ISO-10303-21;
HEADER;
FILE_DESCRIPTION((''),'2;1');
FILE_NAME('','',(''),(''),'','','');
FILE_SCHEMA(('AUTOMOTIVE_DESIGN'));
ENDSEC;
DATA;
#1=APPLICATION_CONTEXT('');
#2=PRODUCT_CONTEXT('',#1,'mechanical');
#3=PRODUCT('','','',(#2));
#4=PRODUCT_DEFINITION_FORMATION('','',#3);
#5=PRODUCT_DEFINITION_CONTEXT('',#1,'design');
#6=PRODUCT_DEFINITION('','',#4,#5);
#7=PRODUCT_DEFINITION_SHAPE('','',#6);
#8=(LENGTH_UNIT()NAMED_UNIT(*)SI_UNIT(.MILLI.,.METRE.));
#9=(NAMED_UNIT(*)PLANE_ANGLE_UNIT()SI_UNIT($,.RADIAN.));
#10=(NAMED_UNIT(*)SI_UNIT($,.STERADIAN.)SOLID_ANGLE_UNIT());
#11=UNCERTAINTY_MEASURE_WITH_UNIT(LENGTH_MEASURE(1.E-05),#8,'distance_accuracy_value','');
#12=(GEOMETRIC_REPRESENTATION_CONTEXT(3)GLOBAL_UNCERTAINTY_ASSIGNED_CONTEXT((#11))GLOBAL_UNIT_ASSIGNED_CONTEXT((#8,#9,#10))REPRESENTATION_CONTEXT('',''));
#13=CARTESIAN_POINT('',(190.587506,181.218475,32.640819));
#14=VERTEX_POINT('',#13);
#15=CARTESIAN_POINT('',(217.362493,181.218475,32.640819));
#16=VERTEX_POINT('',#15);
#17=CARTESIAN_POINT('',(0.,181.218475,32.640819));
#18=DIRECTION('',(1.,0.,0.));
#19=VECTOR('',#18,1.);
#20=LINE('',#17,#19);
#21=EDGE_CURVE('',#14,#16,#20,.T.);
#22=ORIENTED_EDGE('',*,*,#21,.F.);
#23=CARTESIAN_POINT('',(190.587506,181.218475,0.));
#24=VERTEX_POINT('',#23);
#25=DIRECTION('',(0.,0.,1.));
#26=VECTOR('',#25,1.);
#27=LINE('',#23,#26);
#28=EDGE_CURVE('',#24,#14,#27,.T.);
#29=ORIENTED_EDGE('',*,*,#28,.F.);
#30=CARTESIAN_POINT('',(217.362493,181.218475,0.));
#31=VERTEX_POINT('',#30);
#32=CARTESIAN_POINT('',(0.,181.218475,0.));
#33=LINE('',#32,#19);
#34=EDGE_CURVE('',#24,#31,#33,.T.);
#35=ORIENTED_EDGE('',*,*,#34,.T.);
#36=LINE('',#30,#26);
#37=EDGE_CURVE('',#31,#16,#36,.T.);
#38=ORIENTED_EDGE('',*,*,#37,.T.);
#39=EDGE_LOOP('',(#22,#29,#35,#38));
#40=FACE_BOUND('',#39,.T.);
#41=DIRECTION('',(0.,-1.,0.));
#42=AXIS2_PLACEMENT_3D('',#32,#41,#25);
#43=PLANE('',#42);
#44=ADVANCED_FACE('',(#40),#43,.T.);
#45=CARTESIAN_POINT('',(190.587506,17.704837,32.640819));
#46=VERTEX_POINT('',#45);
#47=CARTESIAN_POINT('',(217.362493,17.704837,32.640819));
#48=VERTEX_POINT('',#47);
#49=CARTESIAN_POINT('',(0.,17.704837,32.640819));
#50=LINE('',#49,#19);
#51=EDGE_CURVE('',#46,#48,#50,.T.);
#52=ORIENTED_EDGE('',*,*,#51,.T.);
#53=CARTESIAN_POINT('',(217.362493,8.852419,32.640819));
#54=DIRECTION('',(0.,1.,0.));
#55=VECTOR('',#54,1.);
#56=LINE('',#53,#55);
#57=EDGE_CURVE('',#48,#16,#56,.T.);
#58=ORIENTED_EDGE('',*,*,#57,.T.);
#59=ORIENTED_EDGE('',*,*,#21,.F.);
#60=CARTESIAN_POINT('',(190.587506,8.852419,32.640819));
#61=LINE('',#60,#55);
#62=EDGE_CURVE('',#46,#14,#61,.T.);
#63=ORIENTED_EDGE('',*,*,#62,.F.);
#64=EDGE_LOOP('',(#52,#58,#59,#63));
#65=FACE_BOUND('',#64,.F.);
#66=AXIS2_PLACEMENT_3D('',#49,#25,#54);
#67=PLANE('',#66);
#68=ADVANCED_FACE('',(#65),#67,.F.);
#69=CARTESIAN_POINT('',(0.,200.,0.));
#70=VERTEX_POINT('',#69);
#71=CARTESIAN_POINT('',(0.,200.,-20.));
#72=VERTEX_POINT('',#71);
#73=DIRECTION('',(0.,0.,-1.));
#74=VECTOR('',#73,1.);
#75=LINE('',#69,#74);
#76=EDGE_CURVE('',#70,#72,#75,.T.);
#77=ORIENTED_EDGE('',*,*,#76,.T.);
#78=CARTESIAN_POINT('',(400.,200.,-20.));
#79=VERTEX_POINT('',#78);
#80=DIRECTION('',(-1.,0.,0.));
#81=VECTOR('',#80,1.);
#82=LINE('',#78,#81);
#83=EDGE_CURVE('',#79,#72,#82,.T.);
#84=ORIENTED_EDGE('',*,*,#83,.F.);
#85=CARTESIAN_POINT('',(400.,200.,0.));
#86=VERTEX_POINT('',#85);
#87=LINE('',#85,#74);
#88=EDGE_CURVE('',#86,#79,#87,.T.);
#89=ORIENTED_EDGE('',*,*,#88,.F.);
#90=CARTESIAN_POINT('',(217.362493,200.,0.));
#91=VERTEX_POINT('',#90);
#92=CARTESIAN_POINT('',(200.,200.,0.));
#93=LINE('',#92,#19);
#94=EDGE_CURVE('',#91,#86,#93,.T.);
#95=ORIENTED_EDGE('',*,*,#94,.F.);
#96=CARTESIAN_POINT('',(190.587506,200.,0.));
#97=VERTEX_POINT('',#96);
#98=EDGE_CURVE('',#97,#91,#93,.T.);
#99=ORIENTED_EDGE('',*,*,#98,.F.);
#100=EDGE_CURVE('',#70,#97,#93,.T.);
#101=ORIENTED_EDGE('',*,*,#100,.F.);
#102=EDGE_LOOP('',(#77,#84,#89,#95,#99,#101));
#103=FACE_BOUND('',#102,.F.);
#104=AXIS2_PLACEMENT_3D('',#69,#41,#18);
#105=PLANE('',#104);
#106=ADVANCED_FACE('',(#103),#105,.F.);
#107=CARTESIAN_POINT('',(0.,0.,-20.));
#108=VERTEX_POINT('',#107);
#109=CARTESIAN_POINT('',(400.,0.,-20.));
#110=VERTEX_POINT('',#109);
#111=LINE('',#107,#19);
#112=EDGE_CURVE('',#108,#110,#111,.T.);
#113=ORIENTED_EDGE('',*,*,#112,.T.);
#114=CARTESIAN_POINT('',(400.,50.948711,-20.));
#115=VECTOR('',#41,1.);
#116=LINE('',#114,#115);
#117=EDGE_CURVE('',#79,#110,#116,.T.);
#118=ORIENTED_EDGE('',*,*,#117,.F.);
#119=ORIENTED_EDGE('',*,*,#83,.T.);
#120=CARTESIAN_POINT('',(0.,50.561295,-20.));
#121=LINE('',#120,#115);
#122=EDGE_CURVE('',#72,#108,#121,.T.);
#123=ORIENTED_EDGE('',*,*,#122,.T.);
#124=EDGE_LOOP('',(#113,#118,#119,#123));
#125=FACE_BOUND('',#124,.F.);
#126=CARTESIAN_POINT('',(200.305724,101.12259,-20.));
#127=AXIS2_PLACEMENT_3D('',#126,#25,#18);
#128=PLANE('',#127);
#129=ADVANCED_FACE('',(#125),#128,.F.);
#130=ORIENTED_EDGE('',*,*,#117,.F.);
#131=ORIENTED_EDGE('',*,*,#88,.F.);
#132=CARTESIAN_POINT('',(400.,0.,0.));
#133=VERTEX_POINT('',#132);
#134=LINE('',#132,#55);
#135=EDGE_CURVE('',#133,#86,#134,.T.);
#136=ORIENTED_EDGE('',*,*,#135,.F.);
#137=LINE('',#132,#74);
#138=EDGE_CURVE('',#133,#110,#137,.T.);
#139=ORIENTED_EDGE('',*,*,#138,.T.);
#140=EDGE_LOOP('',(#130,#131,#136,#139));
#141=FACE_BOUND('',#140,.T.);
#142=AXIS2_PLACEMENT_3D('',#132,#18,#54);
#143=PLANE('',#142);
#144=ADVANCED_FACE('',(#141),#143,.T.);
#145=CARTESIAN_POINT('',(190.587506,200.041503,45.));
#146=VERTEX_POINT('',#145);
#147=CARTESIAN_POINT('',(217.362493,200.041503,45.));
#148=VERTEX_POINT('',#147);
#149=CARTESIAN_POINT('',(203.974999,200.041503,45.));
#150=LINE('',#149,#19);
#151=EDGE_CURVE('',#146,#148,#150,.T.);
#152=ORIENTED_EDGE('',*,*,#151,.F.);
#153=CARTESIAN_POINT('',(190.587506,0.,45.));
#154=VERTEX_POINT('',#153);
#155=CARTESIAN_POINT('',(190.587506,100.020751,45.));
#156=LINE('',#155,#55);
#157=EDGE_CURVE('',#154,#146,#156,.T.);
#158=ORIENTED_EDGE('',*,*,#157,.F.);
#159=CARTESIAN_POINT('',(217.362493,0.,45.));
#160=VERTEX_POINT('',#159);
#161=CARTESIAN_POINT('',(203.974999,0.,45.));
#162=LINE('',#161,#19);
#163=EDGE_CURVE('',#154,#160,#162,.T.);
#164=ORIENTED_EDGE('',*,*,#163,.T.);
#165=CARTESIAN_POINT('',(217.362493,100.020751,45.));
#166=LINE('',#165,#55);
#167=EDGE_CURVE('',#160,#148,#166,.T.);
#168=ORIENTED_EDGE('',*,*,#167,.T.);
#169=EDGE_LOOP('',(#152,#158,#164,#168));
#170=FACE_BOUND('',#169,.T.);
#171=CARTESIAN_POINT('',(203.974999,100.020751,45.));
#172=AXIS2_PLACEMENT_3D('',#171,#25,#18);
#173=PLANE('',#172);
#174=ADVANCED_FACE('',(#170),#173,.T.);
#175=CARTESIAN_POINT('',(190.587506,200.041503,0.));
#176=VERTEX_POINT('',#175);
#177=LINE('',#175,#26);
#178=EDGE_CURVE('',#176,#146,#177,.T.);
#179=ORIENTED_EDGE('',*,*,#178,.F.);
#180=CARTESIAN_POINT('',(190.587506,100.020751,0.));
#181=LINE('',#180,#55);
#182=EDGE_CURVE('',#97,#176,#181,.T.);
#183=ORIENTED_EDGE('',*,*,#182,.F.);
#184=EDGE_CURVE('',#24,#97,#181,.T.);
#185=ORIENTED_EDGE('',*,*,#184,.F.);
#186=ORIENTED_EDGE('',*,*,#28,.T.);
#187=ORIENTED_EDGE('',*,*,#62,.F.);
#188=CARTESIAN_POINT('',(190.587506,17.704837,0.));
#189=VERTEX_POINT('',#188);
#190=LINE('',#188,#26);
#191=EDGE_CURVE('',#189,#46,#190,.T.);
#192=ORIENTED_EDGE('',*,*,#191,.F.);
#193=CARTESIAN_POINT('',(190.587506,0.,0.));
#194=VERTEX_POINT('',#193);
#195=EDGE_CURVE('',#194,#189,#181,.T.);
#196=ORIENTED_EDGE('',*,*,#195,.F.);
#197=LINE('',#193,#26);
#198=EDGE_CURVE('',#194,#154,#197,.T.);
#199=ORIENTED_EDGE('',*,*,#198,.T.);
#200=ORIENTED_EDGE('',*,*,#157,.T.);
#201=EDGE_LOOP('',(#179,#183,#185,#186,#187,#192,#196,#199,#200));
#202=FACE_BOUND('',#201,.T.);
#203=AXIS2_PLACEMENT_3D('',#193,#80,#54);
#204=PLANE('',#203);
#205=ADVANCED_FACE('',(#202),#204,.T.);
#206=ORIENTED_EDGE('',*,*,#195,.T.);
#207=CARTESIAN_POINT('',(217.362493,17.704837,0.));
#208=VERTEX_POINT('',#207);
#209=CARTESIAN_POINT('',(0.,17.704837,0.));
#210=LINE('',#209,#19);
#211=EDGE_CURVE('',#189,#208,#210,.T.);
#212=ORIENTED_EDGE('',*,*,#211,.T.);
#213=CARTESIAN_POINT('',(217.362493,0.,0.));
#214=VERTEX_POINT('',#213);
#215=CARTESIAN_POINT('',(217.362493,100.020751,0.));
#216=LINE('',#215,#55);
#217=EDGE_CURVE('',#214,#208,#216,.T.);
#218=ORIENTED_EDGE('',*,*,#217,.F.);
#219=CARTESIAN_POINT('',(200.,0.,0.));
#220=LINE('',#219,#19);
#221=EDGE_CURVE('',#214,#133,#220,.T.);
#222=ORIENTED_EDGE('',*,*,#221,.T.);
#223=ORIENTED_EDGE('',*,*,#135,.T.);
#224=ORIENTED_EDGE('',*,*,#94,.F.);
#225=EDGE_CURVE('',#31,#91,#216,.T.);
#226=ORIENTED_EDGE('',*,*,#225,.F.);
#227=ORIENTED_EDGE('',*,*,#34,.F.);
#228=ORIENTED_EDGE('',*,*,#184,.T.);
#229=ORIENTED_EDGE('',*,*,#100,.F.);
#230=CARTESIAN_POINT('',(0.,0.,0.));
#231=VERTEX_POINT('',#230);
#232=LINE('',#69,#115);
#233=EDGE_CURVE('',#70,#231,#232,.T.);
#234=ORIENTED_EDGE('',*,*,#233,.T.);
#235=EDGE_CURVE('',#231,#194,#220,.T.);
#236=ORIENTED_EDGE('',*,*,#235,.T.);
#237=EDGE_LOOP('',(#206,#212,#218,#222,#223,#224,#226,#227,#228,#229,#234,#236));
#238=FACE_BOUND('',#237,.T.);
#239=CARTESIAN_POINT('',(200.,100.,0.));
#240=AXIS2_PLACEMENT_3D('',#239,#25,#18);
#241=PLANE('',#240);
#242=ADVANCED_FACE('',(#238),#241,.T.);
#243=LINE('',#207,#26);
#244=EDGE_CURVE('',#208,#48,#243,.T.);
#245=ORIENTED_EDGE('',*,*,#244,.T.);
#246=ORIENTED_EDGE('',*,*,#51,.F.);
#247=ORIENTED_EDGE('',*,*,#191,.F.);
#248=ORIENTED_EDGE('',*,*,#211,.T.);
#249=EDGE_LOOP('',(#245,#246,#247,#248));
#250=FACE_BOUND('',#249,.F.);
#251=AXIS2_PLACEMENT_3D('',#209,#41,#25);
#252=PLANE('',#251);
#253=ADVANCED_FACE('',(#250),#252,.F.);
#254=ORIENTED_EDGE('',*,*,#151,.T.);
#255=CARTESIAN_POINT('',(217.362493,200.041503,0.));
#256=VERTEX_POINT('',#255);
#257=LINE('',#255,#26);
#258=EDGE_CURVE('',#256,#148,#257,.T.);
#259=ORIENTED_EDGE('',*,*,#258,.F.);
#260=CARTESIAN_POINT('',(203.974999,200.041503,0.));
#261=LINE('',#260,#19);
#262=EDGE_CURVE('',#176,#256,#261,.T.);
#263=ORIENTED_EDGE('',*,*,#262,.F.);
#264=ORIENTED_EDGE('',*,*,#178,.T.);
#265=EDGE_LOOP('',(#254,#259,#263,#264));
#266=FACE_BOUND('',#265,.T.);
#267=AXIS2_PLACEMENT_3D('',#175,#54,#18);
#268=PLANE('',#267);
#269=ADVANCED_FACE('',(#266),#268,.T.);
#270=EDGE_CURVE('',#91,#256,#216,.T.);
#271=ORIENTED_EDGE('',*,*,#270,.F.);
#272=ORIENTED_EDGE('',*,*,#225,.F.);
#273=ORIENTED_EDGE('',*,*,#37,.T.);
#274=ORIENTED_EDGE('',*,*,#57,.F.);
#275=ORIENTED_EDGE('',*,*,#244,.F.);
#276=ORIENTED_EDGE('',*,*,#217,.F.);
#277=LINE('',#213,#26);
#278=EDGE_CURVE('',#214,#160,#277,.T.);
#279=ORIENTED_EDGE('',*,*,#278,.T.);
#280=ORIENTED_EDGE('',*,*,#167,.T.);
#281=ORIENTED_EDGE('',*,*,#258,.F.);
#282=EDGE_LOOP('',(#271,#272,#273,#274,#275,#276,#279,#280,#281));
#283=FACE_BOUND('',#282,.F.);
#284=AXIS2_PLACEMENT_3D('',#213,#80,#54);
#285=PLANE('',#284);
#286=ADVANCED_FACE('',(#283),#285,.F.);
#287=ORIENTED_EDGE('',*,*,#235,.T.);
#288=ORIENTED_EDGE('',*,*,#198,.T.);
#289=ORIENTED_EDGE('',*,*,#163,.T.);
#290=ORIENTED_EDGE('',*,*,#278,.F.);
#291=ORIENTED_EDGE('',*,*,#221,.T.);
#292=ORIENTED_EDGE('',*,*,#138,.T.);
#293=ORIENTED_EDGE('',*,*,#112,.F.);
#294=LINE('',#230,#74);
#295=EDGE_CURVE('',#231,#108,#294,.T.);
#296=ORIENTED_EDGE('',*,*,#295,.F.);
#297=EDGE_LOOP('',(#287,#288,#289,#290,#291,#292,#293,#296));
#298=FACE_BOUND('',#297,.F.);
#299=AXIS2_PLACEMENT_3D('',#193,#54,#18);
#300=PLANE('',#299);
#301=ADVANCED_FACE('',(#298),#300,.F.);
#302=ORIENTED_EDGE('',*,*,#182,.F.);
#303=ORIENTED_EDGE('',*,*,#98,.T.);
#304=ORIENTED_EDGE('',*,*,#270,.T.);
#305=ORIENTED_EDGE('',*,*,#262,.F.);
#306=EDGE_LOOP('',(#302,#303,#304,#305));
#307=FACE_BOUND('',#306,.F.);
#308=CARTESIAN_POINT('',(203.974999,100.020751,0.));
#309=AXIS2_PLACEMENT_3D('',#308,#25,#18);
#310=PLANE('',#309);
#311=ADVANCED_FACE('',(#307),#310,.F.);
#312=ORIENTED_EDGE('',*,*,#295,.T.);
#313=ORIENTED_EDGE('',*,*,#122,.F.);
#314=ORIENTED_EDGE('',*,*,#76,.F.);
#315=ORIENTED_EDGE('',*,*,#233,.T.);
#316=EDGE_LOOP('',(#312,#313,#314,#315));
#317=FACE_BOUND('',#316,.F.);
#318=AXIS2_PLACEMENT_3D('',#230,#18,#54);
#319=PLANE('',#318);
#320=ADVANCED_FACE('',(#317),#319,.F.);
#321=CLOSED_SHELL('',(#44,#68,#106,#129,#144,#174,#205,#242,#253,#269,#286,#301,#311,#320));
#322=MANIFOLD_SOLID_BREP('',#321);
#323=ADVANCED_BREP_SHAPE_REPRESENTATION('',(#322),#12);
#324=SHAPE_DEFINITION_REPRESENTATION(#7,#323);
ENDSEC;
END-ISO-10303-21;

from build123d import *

# Parameters (mm, degrees)
F0_W      = 400
F0_H      = 200
F1_DEPTH  = 25
F2_W      = 26.7749875784
F2_H      = 200.0415027142
F3_DEPTH  = 45
F4_W      = 163.5136380792
F4_H      = 32.6408185065
F5_DEPTH  = 400.001
F8_DEPTH  = 25
F8_TAPER  = -60
F9_W      = 212.9299342632
F9_H      = 224.1696352139
F10_DEPTH = 25
F12_W     = 417.4379836768
F12_H     = 216.8577280827
F13_DEPTH = 25


with BuildPart() as f1:
    # F0 (on Top) → F1 (new body)
    with BuildSketch(Plane.XY):
        with Locations((200, 100)):
            Rectangle(F0_W, F0_H)
    extrude(amount=-F1_DEPTH)

    # F2 (on Top) → F3 (join)
    with BuildSketch(Plane.XY):
        with Locations((203.9749994874, 100.0207513571)):
            Rectangle(F2_W, F2_H)
    extrude(amount=F3_DEPTH)

    # F4 (on Right) → F5 (cut, through all)
    with BuildSketch(Plane.YZ):
        with Locations((99.4616560638, 16.3204092532)):
            Rectangle(F4_W, F4_H)
    extrude(amount=F5_DEPTH, mode=Mode.SUBTRACT)

    # F7 (on offset) → F8 (cut)
    with BuildSketch(Plane.XY.offset(-20)):
        with BuildLine():
            add(Edge.make_bspline(
                [(391.8431701423, 100.8600369096), (391.8431701423, 259.7252513864), (102.5679333925, 180.292644148), (-186.7073033574, 100.8600369096), (102.5679333925, 21.4274296712), (391.8431701423, -58.0051775672), (391.8431701423, 100.8600369096)],
                knots=[0, 0, 0, 2.0943951024, 2.0943951024, 4.1887902048, 4.1887902048, 6.2831853072, 6.2831853072, 6.2831853072], degree=2, weights=[1, 0.5, 1, 0.5, 1, 0.5, 1]))
        make_face()
    extrude(amount=-F8_DEPTH, taper=F8_TAPER, mode=Mode.SUBTRACT)

    # F9 (on offset) → F10 (cut)
    with BuildSketch(Plane.XY.offset(-20)):
        with Locations((308.3530813456, 101.8974217586)):
            Rectangle(F9_W, F9_H)
    extrude(amount=-F10_DEPTH, mode=Mode.SUBTRACT)

    # F12 (on offset) → F13 (cut)
    with BuildSketch(Plane.XY.offset(-20)):
        with Locations((200.3057235852, 101.122589549)):
            Rectangle(F12_W, F12_H)
    extrude(amount=-F13_DEPTH, mode=Mode.SUBTRACT)


solid = f1.part
